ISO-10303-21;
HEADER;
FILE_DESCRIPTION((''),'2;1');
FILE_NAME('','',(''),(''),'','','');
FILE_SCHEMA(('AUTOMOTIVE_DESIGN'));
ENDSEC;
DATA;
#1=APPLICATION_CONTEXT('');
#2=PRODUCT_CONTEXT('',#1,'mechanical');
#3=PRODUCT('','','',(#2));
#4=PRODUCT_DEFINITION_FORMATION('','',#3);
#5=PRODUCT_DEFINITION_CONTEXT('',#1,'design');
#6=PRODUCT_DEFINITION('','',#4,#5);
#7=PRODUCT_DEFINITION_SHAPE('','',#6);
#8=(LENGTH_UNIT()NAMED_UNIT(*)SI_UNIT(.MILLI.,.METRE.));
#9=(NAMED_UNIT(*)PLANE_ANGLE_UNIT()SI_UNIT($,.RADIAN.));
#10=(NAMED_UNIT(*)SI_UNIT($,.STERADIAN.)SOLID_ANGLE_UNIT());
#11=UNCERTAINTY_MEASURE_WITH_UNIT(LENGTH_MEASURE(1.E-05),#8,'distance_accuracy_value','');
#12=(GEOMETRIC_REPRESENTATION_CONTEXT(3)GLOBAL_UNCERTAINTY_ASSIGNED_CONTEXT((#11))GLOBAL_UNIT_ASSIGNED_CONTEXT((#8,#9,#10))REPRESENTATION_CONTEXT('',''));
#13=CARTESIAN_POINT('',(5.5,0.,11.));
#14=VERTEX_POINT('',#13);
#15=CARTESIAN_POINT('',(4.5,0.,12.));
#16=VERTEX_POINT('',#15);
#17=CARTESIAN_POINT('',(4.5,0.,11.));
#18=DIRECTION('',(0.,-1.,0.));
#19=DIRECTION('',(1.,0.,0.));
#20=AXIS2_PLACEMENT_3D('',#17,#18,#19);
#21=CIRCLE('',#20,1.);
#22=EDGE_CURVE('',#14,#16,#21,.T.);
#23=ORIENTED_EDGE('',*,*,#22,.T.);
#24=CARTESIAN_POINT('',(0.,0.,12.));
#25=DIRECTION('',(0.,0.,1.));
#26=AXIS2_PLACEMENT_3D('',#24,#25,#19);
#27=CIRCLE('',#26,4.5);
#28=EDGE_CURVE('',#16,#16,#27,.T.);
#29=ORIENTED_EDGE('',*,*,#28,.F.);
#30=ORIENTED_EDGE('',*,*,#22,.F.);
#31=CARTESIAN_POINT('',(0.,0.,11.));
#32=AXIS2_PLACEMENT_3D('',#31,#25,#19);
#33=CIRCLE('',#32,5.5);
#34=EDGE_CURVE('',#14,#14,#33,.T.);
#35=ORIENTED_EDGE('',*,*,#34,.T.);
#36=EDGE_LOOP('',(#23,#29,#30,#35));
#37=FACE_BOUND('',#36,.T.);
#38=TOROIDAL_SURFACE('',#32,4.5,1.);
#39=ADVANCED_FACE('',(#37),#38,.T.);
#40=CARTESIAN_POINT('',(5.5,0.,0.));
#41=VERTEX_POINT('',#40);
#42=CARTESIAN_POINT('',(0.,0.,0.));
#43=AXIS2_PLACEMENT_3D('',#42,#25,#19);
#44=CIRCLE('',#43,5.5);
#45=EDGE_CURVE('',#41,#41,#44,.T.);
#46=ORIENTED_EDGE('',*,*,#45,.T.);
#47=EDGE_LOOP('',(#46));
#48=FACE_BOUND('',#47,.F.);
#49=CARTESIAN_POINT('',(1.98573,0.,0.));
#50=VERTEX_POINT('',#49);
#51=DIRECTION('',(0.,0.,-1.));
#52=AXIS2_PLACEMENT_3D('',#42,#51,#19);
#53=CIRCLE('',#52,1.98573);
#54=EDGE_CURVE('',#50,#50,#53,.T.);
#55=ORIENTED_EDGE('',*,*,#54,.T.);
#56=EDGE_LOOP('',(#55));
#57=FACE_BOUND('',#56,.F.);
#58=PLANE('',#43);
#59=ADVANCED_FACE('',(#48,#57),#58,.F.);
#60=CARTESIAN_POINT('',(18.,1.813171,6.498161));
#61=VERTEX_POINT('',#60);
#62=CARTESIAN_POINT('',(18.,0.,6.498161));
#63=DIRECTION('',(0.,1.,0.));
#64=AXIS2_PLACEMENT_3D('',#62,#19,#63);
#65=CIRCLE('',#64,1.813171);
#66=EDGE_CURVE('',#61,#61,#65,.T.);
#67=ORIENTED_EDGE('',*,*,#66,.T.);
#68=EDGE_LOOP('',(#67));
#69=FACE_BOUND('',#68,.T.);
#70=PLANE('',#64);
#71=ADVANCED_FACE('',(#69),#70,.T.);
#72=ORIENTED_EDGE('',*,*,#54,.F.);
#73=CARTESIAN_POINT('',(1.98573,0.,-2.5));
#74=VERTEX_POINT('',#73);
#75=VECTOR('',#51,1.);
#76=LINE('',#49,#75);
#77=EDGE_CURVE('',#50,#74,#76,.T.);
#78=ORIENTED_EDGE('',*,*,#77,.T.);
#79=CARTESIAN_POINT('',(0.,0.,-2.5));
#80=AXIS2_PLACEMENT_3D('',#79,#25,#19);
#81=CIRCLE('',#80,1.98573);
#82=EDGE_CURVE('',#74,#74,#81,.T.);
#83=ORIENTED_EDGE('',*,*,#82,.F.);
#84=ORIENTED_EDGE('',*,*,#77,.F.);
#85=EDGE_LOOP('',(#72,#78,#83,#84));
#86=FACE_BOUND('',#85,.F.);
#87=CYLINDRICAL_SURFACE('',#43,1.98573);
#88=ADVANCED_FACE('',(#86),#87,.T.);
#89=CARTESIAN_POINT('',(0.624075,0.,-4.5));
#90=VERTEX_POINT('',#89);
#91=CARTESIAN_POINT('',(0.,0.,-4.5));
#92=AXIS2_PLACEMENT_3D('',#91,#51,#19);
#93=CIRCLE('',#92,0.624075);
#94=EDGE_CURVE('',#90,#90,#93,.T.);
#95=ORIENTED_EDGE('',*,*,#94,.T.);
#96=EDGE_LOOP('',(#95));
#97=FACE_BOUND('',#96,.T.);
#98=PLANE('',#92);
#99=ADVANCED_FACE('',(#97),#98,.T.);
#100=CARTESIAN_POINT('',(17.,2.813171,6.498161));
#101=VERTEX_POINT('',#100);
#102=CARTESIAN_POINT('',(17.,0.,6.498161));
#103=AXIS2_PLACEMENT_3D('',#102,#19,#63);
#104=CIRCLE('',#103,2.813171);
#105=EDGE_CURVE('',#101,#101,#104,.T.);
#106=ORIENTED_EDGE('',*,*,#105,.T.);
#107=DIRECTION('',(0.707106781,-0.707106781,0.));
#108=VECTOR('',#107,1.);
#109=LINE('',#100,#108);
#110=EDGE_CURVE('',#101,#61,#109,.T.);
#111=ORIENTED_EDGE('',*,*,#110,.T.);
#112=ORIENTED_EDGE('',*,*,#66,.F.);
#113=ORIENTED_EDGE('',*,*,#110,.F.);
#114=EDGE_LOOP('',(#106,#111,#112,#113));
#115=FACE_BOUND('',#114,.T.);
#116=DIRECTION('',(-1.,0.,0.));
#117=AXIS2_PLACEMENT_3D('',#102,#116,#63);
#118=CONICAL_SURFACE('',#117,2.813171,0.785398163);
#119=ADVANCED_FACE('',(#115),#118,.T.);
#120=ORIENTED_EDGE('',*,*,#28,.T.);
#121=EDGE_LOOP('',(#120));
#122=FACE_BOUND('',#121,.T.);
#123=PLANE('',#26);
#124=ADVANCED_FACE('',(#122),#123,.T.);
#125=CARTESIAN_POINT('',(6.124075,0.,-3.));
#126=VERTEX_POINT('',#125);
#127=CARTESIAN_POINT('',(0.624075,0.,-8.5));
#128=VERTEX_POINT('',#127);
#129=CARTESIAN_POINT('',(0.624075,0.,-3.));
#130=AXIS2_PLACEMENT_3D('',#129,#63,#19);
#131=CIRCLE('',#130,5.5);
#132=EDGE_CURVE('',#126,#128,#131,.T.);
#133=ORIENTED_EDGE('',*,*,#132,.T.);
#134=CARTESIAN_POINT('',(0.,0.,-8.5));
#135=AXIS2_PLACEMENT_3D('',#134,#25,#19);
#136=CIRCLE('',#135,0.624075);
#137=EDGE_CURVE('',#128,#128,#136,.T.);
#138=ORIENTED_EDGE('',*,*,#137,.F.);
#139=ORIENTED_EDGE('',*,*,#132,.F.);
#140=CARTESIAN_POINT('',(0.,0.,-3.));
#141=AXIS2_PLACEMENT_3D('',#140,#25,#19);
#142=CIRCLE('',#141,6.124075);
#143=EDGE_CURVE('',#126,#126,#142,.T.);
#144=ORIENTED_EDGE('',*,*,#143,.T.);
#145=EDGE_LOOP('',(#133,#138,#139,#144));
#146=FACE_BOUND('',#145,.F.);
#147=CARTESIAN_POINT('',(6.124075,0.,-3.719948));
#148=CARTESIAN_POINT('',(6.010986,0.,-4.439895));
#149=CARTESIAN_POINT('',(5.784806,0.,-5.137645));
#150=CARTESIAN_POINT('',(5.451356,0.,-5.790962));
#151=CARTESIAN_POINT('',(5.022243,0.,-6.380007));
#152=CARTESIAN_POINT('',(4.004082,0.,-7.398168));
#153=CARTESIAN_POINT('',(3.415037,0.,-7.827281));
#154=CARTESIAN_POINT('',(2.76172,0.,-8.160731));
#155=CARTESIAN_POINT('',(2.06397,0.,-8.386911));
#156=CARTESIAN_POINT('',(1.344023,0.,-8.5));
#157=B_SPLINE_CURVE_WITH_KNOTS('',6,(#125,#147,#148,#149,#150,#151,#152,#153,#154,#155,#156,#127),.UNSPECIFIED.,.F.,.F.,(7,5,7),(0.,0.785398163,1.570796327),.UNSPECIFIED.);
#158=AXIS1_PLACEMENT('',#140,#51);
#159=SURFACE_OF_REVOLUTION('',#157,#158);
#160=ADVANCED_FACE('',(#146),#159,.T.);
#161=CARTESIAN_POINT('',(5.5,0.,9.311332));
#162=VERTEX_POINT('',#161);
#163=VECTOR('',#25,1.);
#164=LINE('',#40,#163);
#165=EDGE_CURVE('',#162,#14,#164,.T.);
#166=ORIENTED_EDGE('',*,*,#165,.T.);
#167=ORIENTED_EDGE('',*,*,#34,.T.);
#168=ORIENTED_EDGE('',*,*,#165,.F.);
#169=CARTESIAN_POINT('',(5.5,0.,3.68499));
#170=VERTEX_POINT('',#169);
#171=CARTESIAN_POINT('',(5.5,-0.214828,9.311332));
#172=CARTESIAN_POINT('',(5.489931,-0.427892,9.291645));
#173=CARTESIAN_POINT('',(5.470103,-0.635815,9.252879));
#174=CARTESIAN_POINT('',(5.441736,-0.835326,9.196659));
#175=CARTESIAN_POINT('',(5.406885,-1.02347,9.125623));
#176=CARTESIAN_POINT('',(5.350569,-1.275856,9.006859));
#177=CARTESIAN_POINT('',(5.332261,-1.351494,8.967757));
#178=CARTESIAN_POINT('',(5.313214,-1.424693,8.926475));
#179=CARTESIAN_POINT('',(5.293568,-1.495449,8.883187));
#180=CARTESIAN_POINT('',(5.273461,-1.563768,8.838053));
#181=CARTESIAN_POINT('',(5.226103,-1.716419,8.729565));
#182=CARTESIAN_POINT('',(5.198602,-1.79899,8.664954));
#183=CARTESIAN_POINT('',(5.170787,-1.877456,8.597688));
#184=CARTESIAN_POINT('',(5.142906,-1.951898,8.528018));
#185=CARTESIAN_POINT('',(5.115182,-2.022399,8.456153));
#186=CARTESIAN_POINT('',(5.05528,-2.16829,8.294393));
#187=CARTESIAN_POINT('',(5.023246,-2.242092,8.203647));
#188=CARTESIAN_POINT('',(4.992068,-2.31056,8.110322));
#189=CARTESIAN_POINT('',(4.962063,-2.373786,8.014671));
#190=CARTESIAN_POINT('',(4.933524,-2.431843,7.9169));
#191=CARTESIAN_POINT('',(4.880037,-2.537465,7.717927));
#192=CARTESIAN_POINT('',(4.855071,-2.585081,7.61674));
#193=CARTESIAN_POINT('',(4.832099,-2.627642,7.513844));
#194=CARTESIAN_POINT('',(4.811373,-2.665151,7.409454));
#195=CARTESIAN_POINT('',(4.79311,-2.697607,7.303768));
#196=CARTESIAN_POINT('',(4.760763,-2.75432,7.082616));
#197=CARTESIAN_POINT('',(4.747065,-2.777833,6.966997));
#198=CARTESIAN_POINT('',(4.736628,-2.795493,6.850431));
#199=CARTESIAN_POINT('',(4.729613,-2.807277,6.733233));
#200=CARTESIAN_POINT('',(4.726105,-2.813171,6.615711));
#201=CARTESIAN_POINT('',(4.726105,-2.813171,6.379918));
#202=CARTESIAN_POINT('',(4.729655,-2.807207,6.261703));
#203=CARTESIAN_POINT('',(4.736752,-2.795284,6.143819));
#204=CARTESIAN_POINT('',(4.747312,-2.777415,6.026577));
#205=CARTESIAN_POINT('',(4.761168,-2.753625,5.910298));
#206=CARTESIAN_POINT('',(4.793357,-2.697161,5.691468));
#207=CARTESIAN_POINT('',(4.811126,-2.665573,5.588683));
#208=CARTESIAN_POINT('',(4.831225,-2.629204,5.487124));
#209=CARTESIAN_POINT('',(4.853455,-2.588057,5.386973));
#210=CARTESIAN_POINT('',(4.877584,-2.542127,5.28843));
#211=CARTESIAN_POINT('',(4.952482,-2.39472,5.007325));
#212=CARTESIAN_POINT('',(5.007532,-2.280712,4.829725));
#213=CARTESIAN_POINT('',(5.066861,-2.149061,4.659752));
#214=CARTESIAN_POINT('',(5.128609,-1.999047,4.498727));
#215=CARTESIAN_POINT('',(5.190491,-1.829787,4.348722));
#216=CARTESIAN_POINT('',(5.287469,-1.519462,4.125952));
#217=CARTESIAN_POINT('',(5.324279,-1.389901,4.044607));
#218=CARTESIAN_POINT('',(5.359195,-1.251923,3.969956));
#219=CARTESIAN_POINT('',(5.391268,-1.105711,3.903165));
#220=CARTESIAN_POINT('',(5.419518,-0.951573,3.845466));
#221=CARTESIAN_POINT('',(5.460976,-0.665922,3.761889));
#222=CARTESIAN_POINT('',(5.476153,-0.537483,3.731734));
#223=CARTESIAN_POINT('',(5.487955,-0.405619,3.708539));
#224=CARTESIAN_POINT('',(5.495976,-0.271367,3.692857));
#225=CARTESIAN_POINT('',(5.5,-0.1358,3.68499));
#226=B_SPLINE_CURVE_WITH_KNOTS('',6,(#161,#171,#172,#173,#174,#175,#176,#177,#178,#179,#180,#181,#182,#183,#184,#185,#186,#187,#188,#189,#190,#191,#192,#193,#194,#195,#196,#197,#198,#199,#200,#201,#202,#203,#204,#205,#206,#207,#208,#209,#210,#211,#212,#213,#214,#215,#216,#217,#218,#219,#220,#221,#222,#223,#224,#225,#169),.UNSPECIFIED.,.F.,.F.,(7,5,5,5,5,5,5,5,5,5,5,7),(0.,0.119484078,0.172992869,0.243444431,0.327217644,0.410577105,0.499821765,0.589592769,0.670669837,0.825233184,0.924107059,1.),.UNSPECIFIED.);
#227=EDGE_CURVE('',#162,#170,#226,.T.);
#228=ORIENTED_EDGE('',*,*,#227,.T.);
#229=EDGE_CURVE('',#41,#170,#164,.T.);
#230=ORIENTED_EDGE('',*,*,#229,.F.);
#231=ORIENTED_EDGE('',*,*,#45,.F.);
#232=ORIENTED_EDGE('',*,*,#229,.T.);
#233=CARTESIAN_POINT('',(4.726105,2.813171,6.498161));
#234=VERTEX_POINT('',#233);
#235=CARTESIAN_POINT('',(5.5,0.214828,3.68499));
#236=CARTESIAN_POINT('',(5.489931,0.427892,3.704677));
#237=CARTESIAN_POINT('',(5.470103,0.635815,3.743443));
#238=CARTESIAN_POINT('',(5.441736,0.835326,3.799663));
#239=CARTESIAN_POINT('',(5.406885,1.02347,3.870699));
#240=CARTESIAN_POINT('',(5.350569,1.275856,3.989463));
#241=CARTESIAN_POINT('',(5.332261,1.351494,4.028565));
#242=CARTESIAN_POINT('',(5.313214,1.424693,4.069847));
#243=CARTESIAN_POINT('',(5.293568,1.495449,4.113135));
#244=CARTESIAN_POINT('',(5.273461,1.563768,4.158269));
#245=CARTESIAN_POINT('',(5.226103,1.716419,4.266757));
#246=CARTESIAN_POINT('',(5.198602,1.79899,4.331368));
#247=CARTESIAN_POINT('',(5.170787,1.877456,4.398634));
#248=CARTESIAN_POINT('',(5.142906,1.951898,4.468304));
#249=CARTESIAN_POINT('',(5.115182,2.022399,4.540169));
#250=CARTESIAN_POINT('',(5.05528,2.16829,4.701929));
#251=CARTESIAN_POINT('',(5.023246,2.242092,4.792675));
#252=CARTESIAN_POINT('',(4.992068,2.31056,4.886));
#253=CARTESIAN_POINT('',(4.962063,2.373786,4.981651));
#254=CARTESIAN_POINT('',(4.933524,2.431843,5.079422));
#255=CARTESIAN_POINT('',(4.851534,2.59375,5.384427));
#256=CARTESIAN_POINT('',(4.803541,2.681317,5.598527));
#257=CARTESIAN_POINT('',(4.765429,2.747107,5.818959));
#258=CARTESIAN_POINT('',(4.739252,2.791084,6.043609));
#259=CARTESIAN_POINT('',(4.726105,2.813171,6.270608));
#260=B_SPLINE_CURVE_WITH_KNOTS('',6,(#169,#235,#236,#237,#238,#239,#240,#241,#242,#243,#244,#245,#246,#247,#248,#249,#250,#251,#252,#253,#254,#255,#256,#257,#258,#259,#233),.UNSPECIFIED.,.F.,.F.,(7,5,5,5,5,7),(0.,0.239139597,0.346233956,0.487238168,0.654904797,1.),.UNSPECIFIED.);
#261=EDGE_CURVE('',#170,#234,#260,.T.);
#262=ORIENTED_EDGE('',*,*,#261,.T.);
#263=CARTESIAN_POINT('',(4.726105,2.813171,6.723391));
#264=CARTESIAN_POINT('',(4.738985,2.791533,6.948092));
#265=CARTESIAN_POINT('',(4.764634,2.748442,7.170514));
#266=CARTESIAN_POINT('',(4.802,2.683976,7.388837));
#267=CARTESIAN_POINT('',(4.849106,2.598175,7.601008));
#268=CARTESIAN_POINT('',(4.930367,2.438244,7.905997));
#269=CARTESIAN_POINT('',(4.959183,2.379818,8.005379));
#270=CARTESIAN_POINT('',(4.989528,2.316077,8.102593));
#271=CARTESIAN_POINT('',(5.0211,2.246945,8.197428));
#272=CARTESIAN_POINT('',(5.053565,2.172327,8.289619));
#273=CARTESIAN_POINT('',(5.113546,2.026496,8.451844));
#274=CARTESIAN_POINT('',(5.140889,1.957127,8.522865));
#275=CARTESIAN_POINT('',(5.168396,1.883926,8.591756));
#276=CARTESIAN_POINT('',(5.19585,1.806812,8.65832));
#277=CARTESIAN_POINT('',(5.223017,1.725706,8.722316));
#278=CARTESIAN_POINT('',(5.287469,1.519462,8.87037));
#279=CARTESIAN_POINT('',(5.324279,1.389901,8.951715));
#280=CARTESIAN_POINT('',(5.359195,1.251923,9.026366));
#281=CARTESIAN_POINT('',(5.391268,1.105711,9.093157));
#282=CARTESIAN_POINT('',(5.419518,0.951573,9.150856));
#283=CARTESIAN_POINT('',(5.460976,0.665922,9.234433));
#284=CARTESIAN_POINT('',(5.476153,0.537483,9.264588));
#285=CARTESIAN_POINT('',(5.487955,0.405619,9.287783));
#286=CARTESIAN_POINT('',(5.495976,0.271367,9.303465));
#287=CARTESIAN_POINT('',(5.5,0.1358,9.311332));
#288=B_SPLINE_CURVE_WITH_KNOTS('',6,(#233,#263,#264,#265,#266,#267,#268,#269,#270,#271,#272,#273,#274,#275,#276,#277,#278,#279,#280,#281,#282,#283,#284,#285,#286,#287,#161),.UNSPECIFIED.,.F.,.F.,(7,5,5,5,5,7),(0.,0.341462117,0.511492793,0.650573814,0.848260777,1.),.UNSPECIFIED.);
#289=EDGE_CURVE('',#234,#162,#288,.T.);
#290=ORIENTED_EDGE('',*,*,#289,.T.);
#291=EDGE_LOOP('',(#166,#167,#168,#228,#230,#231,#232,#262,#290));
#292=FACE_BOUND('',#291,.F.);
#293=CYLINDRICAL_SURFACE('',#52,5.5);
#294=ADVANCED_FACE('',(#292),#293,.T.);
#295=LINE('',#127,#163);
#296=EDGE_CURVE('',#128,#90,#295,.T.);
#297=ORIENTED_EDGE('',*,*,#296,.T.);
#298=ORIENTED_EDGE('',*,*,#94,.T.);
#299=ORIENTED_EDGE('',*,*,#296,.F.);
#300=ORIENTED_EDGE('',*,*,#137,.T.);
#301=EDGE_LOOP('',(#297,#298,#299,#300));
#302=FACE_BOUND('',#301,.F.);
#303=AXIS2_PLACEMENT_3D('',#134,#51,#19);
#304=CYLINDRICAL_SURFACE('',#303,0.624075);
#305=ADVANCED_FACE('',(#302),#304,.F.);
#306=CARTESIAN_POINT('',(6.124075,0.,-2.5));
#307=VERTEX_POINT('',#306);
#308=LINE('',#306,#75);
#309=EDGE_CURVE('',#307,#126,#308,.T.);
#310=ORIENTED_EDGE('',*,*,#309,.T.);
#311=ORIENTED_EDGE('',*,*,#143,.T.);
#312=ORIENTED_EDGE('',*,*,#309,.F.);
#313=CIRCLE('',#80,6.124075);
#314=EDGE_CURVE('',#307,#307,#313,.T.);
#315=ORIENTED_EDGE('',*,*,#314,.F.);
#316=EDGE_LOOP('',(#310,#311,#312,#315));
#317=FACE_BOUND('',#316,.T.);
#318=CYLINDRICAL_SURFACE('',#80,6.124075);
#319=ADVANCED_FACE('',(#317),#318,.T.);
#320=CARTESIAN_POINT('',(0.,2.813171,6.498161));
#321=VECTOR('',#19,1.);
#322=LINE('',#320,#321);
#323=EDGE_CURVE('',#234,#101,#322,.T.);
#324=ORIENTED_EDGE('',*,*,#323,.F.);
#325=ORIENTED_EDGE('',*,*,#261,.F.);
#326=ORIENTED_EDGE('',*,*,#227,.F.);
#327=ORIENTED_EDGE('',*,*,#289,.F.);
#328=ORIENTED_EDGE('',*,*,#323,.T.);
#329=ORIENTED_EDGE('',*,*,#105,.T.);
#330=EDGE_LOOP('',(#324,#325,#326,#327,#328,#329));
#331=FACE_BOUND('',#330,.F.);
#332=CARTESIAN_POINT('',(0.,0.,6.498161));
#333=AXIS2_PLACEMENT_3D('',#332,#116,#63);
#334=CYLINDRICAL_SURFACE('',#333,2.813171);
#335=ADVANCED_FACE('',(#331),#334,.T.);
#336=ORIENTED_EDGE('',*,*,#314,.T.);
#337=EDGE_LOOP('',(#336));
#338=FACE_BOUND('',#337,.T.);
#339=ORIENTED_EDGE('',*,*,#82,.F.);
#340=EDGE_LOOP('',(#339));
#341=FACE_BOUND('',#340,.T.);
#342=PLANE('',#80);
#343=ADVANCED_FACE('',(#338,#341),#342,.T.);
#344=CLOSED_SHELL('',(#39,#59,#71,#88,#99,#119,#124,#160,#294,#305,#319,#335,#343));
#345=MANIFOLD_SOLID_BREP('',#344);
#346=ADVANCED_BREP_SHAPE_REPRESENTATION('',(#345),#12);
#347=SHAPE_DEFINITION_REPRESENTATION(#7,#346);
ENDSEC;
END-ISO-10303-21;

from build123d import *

# Parameters (mm, degrees)
F0_R      = 5.5
F1_DEPTH  = 12
F2_R      = 1
F3_R      = 1.98573
F4_DEPTH  = 5
F6_R      = 6.124075
F7_DEPTH  = 6
F8_R      = 5.5
F7_FACE_R = 0.624075
F9_DEPTH  = 4
F10_R     = 2.813171
F11_DEPTH = 18
F12_SIZE  = 1


with BuildPart() as f1:
    # F0 (on Top) → F1 (new body)
    with BuildSketch(Plane.XY):
        Circle(F0_R)
    extrude(amount=F1_DEPTH)

    # F2
    f2_edges = [f1.edges().sort_by_distance(p)[0] for p in [
        (-5.5, 0, 12),
    ]]
    fillet(f2_edges, radius=F2_R)

    # F3 (on face) → F4 (join)
    with BuildSketch(Plane(origin=(0, 0, 0), x_dir=(1, 0, 0), z_dir=(0, 0, -1))):
        Circle(F3_R)
    extrude(amount=F4_DEPTH)

    # F6 (on offset) → F7 (join)
    with BuildSketch(Plane.XY.offset(-2.5)):
        Circle(F6_R)
    extrude(amount=-F7_DEPTH)

    # F8
    f8_edges = [f1.edges().sort_by_distance(p)[0] for p in [
        (-6.124075, 0, -8.5),
    ]]
    fillet(f8_edges, radius=F8_R)

    # F7_face (on face) → F9 (cut)
    with BuildSketch(Plane(origin=(0, 0, -8.5), x_dir=(1, 0, 0), z_dir=(0, 0, -1))):
        Circle(F7_FACE_R)
    extrude(amount=-F9_DEPTH, mode=Mode.SUBTRACT)

    # F10 (on Right) → F11 (join)
    with BuildSketch(Plane.YZ):
        with Locations((0, 6.498161)):
            Circle(F10_R)
    extrude(amount=F11_DEPTH)

    # F12
    f12_edges = [f1.edges().sort_by_distance(p)[0] for p in [
        (18, -2.813171, 6.498161),
    ]]
    chamfer(f12_edges, length=F12_SIZE)


solid = f1.part
